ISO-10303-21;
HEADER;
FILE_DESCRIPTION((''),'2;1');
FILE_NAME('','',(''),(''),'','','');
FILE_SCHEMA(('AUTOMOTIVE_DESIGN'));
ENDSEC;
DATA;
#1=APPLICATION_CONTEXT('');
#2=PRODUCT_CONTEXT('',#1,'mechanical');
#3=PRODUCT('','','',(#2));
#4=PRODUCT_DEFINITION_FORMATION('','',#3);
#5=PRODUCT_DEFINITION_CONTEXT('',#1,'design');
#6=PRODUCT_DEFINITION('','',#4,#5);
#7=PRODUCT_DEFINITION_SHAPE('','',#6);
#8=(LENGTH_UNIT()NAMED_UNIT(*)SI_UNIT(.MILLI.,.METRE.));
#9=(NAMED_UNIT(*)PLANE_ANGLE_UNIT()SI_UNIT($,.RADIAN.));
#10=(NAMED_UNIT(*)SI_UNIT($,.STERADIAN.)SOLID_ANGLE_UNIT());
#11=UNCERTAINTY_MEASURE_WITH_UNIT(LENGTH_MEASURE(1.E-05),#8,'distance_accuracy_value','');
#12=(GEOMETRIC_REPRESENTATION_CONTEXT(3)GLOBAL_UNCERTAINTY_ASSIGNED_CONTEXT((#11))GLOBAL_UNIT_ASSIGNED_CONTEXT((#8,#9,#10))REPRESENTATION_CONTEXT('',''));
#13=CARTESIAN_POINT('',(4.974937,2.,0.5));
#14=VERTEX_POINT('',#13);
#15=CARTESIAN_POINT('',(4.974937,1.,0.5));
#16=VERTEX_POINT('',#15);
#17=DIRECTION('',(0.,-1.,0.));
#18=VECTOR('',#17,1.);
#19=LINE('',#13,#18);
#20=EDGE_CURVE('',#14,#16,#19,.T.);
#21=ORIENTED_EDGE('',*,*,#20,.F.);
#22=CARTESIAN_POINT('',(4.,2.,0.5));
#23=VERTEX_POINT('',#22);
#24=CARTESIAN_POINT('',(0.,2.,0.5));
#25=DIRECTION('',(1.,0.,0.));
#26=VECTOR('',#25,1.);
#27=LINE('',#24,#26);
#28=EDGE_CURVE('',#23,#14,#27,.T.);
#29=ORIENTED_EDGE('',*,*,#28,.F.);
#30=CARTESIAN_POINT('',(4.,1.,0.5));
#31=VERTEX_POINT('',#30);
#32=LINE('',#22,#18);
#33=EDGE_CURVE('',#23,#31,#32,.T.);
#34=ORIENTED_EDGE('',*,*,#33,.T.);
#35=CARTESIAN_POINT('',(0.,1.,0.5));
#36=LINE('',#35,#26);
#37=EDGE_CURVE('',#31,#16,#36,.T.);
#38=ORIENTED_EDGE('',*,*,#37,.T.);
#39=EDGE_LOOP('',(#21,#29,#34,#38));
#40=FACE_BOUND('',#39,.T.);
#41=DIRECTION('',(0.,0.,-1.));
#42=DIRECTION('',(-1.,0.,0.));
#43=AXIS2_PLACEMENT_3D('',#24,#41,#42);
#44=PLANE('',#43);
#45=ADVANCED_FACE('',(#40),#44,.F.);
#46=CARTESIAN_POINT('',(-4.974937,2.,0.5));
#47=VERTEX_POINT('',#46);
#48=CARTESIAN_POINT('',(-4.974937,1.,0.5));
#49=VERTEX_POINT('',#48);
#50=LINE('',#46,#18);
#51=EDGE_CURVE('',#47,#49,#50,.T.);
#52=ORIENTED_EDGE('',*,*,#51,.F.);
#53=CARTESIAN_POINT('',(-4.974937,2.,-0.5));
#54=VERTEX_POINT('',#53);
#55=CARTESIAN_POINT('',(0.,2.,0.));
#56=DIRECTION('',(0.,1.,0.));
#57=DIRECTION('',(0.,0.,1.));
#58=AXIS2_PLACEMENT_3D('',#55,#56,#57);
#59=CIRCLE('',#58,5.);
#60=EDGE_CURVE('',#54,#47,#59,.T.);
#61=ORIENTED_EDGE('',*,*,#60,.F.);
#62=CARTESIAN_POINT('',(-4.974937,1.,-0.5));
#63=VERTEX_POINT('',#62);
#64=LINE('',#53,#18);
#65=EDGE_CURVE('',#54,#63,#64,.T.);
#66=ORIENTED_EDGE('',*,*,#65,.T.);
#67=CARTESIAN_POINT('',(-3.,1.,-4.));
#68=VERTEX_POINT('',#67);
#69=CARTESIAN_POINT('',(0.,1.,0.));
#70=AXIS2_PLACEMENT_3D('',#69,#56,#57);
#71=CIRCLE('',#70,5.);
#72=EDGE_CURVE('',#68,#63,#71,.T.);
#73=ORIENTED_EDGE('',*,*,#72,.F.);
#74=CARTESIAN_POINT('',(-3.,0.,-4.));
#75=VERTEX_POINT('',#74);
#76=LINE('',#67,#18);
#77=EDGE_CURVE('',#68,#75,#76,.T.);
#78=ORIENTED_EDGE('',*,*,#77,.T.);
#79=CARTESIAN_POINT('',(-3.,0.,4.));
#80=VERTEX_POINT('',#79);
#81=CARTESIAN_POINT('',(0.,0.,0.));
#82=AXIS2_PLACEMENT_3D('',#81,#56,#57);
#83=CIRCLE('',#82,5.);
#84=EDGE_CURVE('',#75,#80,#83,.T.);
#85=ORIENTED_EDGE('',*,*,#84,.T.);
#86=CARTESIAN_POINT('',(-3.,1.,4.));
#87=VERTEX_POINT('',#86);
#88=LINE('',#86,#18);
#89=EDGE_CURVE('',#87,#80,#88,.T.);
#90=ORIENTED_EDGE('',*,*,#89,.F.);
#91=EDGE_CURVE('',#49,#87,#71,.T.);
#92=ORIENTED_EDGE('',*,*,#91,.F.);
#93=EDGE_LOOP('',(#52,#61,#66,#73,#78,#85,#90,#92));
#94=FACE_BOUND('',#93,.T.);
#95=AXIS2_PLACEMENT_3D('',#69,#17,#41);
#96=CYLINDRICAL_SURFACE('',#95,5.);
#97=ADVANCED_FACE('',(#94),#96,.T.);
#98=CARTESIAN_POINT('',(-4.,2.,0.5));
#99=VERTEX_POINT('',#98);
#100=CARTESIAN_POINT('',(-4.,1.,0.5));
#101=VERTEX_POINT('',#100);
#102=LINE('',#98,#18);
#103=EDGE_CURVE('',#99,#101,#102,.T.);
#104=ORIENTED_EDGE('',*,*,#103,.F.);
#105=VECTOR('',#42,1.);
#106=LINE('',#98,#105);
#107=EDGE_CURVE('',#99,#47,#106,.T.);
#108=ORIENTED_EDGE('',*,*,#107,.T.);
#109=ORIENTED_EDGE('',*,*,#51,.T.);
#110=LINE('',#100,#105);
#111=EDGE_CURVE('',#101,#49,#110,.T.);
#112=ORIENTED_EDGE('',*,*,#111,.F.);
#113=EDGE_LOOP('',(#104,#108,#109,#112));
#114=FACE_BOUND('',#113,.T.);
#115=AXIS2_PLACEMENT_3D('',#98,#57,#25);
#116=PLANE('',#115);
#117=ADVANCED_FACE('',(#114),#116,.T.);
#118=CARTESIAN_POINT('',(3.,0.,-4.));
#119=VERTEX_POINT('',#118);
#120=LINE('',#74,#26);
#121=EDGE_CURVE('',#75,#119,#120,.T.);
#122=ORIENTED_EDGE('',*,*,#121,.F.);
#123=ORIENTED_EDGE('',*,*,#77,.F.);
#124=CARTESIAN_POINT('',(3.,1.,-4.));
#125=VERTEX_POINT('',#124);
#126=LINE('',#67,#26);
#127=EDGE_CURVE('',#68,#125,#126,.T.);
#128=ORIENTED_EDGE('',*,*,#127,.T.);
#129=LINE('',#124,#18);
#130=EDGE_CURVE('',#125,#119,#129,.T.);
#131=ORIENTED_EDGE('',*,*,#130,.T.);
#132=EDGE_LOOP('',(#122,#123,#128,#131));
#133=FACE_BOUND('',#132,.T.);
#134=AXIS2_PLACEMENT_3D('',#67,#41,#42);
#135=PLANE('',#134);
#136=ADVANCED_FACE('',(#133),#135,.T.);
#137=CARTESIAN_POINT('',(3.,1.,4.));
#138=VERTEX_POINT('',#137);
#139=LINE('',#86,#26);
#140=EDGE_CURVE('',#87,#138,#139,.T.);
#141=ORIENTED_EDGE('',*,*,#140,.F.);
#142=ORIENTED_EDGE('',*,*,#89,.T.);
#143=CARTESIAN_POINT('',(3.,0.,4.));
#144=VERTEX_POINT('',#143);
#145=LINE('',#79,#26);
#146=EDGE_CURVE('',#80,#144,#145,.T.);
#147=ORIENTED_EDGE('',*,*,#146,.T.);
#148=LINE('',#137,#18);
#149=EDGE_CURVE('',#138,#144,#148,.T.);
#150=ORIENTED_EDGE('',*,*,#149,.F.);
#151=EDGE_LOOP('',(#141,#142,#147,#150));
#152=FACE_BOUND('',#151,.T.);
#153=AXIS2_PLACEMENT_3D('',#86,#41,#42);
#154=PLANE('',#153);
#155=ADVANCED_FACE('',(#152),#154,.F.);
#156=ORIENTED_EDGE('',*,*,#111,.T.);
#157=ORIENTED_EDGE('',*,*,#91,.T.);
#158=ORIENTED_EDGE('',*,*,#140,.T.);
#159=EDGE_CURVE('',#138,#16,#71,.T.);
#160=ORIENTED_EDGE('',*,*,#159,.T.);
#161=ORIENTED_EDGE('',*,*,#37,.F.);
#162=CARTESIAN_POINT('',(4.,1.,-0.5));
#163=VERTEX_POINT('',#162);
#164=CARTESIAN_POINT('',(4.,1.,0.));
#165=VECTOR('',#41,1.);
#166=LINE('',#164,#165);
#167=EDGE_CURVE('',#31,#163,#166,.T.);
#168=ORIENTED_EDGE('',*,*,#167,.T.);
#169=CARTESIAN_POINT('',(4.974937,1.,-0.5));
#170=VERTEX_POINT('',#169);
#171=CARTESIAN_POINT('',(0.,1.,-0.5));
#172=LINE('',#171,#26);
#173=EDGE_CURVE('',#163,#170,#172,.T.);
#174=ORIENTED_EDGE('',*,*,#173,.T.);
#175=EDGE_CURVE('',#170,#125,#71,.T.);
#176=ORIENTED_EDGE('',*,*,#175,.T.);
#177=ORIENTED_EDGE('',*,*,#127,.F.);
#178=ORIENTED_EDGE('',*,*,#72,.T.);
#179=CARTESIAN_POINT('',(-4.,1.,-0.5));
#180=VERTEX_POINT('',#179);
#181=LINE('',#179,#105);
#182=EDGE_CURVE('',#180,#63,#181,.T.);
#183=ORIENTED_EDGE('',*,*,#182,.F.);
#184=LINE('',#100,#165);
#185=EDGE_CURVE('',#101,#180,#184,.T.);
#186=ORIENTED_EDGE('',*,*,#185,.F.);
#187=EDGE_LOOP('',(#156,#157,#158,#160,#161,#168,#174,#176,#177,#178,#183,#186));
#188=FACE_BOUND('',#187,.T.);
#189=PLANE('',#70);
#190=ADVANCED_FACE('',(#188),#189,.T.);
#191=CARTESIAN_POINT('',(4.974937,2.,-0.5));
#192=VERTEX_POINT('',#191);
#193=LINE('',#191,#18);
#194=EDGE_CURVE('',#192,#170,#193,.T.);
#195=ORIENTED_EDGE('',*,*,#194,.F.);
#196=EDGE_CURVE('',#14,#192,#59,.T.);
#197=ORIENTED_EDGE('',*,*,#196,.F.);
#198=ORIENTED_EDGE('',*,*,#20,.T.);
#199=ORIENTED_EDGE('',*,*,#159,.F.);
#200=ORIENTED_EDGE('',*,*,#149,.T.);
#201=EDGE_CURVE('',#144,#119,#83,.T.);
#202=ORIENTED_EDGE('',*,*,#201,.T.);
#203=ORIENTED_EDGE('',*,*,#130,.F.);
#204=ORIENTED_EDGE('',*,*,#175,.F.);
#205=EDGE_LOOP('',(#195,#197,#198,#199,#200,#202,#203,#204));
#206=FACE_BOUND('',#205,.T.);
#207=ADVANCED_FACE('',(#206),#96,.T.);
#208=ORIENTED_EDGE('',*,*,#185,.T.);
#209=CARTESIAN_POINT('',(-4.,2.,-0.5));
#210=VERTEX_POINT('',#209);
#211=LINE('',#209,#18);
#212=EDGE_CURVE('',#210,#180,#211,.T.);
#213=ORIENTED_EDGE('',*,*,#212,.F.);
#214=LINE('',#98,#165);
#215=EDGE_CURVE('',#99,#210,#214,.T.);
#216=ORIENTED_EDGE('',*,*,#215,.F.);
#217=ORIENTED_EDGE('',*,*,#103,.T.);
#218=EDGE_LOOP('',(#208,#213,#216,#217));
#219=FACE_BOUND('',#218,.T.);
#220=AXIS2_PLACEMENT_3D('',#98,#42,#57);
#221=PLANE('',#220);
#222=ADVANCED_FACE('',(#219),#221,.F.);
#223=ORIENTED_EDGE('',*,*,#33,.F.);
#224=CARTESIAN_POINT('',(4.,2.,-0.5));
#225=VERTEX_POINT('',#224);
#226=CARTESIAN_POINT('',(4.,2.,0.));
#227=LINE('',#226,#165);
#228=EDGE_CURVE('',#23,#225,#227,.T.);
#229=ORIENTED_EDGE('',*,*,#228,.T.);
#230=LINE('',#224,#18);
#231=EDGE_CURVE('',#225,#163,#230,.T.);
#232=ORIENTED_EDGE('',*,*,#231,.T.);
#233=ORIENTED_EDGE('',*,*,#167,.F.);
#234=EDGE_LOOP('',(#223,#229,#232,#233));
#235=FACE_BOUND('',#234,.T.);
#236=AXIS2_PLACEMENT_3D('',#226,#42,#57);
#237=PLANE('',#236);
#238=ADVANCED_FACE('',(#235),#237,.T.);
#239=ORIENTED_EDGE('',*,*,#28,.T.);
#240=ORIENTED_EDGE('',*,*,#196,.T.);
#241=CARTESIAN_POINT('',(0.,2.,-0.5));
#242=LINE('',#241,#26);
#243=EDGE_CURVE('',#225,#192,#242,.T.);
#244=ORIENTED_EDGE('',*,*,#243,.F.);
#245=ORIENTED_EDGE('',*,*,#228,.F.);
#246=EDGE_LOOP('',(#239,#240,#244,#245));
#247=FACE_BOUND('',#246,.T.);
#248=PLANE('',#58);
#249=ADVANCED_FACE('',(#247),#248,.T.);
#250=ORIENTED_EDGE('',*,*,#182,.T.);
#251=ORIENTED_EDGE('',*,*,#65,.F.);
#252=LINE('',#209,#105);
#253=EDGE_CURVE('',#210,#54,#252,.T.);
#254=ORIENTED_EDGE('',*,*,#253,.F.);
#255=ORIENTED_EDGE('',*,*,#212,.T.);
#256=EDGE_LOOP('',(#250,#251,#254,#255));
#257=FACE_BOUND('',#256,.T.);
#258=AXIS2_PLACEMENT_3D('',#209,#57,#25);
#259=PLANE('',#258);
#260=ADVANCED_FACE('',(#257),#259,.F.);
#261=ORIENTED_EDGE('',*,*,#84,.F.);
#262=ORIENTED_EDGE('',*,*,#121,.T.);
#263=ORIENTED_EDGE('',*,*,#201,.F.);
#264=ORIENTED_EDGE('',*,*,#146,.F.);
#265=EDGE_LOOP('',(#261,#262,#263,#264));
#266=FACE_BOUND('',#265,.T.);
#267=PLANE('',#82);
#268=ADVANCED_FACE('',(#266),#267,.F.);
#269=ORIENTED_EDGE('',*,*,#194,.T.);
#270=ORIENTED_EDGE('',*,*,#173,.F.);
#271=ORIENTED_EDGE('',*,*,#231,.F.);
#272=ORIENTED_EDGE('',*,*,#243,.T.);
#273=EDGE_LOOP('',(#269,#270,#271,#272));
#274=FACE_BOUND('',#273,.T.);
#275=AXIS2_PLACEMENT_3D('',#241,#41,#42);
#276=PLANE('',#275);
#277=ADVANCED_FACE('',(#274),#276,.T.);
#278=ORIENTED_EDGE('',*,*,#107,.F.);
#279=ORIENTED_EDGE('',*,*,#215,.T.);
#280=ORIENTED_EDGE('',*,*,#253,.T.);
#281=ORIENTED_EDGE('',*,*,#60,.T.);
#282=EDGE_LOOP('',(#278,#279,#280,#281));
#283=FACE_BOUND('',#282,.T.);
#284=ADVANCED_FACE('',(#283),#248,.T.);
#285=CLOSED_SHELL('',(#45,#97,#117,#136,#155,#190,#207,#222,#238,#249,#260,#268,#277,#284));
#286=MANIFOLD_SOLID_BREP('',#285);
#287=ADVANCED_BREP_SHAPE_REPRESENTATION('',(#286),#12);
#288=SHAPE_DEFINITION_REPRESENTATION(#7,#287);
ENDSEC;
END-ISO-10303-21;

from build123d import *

# Parameters (mm, degrees)
BOSS_EXTRUDE1_DEPTH = 1
BOSS_EXTRUDE2_DEPTH = 1


with BuildPart() as part:
    # Sketch1 → Boss-Extrude1 (new body)
    with BuildSketch(Plane(origin=(0, 0, 0), x_dir=(1, 0, 0), z_dir=(0, 1, 0))):
        with BuildLine():
            Line((-3, 4), (3, 4))
            ThreePointArc((3, 4), (5, 0), (3, -4))
            Line((3, -4), (-3, -4))
            ThreePointArc((-3, -4), (-5, 0), (-3, 4))
        make_face()
    extrude(amount=BOSS_EXTRUDE1_DEPTH)

    # Sketch2 → Boss-Extrude2 (add)
    with BuildSketch(Plane(origin=(0, 1, 0), x_dir=(1, 0, 0), z_dir=(0, 1, 0))):
        with BuildLine():
            Line((4, 0.5), (4, -0.5))
            Line((4, -0.5), (4.974937186, -0.5))
            ThreePointArc((4.974937186, -0.5), (5, 0), (4.974937186, 0.5))
            Line((4.974937186, 0.5), (4, 0.5))
        make_face()
        with BuildLine():
            Line((-4, -0.5), (-4, 0.5))
            Line((-4, 0.5), (-4.974937186, 0.5))
            ThreePointArc((-4.974937186, 0.5), (-5, 0), (-4.974937186, -0.5))
            Line((-4.974937186, -0.5), (-4, -0.5))
        make_face()
    extrude(amount=BOSS_EXTRUDE2_DEPTH)


solid = part.part
